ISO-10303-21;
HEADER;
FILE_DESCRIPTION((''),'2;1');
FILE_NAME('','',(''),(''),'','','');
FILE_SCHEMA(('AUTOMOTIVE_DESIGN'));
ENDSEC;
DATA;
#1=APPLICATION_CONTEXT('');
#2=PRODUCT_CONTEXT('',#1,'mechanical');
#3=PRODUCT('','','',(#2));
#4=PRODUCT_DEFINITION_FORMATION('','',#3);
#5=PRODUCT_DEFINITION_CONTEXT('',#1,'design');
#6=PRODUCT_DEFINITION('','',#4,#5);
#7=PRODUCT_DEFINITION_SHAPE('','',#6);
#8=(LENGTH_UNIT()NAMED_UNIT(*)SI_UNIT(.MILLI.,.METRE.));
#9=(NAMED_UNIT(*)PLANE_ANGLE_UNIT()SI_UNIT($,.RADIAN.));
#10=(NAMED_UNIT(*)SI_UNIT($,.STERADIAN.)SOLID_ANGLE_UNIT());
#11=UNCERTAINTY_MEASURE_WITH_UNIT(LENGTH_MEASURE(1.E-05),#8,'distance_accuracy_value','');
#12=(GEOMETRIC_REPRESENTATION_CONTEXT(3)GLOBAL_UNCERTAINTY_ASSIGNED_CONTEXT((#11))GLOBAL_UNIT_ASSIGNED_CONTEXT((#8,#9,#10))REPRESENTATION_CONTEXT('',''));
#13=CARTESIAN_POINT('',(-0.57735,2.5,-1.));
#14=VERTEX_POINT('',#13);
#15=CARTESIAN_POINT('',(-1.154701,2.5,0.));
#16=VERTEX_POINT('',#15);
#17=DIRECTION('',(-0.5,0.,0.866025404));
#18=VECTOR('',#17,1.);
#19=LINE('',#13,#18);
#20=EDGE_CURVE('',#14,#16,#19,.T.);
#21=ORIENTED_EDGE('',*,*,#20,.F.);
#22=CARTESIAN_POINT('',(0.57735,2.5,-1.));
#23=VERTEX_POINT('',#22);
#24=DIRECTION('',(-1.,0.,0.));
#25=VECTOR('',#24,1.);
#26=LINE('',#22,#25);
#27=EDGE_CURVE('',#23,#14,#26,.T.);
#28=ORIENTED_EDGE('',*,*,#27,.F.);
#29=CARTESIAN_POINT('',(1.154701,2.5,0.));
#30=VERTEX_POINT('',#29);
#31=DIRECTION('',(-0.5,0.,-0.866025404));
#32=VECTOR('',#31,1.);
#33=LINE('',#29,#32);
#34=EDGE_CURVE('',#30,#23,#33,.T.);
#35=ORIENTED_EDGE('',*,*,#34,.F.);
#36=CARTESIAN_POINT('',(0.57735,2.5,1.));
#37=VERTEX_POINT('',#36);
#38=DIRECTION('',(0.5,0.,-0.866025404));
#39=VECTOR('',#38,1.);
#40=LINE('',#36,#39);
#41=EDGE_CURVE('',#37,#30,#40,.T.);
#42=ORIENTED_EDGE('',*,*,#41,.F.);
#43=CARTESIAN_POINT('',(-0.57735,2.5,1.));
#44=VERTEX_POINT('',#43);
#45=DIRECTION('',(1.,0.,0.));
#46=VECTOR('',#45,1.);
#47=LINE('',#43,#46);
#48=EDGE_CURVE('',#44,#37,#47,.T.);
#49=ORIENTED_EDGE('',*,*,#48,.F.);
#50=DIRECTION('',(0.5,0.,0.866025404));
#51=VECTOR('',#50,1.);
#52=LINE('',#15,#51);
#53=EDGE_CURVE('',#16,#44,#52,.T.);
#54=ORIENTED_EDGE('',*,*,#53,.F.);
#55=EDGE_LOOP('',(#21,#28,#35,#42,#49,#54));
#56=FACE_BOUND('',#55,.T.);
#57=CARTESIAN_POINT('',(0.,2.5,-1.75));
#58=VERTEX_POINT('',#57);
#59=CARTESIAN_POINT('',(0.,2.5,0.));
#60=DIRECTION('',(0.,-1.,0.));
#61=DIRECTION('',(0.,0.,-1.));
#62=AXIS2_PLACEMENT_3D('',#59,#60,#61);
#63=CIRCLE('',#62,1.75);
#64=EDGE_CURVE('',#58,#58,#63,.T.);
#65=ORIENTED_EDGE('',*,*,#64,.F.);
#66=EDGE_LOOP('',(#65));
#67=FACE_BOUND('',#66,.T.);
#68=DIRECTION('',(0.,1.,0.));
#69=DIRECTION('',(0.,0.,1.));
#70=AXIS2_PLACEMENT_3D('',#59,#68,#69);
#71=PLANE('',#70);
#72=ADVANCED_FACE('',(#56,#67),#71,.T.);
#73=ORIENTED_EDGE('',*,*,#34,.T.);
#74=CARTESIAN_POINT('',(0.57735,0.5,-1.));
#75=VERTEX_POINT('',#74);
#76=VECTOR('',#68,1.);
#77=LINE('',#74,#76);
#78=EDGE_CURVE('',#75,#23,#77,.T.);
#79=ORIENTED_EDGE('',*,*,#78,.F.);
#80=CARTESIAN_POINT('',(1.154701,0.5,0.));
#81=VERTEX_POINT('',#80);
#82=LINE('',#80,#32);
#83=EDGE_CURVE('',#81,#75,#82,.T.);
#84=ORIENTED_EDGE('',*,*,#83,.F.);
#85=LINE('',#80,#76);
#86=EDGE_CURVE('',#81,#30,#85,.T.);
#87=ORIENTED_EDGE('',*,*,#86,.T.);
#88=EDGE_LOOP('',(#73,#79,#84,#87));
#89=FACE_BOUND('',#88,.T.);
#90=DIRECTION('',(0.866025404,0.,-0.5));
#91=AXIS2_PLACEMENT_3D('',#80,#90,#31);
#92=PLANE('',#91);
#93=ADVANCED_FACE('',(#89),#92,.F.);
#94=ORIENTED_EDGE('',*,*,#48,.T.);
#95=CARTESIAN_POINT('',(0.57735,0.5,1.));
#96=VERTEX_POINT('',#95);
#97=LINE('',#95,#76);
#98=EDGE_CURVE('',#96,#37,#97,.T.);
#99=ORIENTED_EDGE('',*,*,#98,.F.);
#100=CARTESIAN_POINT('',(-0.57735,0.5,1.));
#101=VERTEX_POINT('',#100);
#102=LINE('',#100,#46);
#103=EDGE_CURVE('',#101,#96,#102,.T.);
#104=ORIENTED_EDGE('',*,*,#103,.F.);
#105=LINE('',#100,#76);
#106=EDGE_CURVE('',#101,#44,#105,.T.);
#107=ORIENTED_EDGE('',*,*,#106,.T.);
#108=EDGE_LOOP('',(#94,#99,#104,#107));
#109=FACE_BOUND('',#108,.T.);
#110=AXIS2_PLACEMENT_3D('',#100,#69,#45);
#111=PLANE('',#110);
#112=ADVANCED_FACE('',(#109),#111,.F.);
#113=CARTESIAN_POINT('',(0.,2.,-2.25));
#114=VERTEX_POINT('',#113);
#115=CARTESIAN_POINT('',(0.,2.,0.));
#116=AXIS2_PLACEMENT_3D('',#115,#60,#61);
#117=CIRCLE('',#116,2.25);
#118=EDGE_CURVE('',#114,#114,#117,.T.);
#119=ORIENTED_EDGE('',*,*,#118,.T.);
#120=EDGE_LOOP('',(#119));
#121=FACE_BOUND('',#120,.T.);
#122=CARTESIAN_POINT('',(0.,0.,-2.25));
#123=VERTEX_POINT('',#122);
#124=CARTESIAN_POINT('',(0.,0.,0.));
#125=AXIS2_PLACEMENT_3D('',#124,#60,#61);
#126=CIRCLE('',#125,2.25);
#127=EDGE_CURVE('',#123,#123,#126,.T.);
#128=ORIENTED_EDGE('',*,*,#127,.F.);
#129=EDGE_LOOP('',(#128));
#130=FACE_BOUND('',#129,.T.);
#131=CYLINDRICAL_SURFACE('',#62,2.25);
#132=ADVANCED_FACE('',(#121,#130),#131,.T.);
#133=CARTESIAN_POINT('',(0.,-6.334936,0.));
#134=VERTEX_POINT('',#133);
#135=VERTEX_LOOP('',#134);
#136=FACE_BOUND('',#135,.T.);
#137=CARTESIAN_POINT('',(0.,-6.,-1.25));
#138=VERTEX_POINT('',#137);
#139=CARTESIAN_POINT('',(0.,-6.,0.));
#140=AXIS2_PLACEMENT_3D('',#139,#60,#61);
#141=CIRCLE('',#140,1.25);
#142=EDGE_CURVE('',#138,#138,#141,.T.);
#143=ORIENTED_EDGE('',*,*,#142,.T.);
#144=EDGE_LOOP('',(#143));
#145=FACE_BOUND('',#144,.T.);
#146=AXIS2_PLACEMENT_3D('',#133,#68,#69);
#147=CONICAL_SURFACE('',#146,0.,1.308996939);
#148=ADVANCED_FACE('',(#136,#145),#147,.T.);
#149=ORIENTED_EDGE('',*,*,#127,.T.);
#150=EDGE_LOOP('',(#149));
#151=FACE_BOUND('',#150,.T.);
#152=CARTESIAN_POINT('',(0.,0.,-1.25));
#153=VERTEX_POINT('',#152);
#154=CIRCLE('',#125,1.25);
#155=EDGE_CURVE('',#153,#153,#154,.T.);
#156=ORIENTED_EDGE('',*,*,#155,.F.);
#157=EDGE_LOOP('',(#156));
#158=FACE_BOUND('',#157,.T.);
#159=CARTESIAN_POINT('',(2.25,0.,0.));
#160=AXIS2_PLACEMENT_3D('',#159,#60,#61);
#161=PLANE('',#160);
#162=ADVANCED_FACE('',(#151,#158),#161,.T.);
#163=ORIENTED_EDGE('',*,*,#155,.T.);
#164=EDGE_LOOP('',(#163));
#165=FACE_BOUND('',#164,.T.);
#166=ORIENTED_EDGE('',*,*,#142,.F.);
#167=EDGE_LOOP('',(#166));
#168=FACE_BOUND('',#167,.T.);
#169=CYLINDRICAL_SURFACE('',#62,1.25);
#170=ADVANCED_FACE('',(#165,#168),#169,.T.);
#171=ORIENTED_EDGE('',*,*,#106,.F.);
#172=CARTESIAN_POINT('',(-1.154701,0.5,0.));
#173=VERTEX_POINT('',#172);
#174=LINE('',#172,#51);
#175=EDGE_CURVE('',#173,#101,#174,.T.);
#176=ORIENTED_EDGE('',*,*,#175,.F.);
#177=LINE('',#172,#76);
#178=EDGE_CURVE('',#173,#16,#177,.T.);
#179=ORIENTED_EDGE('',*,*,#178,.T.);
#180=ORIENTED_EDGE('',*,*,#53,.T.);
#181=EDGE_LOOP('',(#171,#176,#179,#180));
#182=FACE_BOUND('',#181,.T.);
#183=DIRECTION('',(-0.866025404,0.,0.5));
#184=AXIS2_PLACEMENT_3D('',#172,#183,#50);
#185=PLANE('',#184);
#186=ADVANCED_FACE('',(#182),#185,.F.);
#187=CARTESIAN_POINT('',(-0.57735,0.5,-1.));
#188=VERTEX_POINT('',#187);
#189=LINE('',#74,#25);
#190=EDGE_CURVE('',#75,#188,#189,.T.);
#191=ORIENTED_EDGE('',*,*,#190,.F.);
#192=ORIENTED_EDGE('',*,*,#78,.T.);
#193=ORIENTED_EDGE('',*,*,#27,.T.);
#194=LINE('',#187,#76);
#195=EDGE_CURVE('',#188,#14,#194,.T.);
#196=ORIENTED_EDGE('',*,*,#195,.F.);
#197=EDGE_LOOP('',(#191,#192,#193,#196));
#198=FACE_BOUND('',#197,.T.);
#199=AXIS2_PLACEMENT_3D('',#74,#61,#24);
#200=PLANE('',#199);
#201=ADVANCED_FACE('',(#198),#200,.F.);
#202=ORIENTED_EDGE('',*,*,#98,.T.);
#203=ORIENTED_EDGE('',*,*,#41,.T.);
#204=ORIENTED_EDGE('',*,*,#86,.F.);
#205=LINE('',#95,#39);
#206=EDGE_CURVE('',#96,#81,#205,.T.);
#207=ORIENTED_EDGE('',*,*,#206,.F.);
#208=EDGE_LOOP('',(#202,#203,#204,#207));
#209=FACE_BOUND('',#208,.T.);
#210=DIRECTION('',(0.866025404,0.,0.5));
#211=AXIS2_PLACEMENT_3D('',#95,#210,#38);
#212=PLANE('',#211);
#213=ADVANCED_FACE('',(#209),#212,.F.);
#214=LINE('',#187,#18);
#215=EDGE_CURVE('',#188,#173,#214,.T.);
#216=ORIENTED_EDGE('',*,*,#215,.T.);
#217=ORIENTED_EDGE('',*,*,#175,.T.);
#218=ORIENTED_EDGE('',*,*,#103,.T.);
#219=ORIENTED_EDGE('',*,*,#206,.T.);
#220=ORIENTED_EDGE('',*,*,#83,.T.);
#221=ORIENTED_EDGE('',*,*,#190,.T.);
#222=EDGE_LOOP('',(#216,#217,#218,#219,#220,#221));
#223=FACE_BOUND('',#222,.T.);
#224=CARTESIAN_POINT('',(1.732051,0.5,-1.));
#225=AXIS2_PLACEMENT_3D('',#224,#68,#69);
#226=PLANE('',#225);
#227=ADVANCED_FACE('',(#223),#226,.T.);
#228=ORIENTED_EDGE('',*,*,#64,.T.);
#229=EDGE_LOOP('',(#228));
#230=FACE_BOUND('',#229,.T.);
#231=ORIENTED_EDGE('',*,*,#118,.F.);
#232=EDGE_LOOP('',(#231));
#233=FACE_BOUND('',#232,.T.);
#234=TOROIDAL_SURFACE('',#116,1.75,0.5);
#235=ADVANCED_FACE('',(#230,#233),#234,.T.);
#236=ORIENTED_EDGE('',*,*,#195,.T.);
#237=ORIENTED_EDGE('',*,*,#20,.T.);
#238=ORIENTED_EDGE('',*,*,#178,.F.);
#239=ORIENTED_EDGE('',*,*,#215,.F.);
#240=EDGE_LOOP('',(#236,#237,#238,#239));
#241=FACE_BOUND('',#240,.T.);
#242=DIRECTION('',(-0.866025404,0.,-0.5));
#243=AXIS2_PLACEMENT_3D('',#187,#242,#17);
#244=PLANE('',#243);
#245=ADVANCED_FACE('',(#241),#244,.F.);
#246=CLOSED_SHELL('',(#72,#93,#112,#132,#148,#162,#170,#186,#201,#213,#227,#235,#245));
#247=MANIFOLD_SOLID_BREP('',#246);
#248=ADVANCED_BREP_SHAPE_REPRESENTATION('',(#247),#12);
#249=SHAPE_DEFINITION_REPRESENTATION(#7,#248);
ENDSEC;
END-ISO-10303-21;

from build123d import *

# Parameters (mm, degrees)
CUT_EXTRUDE1_DEPTH = 2


with BuildPart() as part:
    # Sketch1 → Base-Revolve (revolve)
    with BuildSketch(Plane.XY, mode=Mode.PRIVATE) as base_revolve_sk:
        with BuildLine():
            Line((0, -6.334936491), (0, 2.5))
            Line((0, 2.5), (1.75, 2.5))
            ThreePointArc((1.75, 2.5), (2.103553391, 2.353553391), (2.25, 2))
            Line((2.25, 2), (2.25, 0))
            Line((2.25, 0), (1.25, 0))
            Line((1.25, 0), (1.25, -6))
            Line((1.25, -6), (0, -6.334936491))
        make_face()
    revolve(base_revolve_sk.sketch.rotate(Axis((0, 2.5, 0), (0, 1, 0)), 90), axis=Axis((0, 2.5, 0), (0, 1, 0)))  # turned: the seam where the file's is

    # Sketch2 → Cut-Extrude1 (cut)
    with BuildSketch(Plane(origin=(0, 2.5, 0), x_dir=(-1, 0, 0), z_dir=(0, 1, 0))):
        Polygon((-1.154700538, 0), (-0.577350269, -1), (0.577350269, -1), (1.154700538, 0), (0.577350269, 1), (-0.577350269, 1), align=None)
    extrude(amount=-CUT_EXTRUDE1_DEPTH, mode=Mode.SUBTRACT)


solid = part.part
